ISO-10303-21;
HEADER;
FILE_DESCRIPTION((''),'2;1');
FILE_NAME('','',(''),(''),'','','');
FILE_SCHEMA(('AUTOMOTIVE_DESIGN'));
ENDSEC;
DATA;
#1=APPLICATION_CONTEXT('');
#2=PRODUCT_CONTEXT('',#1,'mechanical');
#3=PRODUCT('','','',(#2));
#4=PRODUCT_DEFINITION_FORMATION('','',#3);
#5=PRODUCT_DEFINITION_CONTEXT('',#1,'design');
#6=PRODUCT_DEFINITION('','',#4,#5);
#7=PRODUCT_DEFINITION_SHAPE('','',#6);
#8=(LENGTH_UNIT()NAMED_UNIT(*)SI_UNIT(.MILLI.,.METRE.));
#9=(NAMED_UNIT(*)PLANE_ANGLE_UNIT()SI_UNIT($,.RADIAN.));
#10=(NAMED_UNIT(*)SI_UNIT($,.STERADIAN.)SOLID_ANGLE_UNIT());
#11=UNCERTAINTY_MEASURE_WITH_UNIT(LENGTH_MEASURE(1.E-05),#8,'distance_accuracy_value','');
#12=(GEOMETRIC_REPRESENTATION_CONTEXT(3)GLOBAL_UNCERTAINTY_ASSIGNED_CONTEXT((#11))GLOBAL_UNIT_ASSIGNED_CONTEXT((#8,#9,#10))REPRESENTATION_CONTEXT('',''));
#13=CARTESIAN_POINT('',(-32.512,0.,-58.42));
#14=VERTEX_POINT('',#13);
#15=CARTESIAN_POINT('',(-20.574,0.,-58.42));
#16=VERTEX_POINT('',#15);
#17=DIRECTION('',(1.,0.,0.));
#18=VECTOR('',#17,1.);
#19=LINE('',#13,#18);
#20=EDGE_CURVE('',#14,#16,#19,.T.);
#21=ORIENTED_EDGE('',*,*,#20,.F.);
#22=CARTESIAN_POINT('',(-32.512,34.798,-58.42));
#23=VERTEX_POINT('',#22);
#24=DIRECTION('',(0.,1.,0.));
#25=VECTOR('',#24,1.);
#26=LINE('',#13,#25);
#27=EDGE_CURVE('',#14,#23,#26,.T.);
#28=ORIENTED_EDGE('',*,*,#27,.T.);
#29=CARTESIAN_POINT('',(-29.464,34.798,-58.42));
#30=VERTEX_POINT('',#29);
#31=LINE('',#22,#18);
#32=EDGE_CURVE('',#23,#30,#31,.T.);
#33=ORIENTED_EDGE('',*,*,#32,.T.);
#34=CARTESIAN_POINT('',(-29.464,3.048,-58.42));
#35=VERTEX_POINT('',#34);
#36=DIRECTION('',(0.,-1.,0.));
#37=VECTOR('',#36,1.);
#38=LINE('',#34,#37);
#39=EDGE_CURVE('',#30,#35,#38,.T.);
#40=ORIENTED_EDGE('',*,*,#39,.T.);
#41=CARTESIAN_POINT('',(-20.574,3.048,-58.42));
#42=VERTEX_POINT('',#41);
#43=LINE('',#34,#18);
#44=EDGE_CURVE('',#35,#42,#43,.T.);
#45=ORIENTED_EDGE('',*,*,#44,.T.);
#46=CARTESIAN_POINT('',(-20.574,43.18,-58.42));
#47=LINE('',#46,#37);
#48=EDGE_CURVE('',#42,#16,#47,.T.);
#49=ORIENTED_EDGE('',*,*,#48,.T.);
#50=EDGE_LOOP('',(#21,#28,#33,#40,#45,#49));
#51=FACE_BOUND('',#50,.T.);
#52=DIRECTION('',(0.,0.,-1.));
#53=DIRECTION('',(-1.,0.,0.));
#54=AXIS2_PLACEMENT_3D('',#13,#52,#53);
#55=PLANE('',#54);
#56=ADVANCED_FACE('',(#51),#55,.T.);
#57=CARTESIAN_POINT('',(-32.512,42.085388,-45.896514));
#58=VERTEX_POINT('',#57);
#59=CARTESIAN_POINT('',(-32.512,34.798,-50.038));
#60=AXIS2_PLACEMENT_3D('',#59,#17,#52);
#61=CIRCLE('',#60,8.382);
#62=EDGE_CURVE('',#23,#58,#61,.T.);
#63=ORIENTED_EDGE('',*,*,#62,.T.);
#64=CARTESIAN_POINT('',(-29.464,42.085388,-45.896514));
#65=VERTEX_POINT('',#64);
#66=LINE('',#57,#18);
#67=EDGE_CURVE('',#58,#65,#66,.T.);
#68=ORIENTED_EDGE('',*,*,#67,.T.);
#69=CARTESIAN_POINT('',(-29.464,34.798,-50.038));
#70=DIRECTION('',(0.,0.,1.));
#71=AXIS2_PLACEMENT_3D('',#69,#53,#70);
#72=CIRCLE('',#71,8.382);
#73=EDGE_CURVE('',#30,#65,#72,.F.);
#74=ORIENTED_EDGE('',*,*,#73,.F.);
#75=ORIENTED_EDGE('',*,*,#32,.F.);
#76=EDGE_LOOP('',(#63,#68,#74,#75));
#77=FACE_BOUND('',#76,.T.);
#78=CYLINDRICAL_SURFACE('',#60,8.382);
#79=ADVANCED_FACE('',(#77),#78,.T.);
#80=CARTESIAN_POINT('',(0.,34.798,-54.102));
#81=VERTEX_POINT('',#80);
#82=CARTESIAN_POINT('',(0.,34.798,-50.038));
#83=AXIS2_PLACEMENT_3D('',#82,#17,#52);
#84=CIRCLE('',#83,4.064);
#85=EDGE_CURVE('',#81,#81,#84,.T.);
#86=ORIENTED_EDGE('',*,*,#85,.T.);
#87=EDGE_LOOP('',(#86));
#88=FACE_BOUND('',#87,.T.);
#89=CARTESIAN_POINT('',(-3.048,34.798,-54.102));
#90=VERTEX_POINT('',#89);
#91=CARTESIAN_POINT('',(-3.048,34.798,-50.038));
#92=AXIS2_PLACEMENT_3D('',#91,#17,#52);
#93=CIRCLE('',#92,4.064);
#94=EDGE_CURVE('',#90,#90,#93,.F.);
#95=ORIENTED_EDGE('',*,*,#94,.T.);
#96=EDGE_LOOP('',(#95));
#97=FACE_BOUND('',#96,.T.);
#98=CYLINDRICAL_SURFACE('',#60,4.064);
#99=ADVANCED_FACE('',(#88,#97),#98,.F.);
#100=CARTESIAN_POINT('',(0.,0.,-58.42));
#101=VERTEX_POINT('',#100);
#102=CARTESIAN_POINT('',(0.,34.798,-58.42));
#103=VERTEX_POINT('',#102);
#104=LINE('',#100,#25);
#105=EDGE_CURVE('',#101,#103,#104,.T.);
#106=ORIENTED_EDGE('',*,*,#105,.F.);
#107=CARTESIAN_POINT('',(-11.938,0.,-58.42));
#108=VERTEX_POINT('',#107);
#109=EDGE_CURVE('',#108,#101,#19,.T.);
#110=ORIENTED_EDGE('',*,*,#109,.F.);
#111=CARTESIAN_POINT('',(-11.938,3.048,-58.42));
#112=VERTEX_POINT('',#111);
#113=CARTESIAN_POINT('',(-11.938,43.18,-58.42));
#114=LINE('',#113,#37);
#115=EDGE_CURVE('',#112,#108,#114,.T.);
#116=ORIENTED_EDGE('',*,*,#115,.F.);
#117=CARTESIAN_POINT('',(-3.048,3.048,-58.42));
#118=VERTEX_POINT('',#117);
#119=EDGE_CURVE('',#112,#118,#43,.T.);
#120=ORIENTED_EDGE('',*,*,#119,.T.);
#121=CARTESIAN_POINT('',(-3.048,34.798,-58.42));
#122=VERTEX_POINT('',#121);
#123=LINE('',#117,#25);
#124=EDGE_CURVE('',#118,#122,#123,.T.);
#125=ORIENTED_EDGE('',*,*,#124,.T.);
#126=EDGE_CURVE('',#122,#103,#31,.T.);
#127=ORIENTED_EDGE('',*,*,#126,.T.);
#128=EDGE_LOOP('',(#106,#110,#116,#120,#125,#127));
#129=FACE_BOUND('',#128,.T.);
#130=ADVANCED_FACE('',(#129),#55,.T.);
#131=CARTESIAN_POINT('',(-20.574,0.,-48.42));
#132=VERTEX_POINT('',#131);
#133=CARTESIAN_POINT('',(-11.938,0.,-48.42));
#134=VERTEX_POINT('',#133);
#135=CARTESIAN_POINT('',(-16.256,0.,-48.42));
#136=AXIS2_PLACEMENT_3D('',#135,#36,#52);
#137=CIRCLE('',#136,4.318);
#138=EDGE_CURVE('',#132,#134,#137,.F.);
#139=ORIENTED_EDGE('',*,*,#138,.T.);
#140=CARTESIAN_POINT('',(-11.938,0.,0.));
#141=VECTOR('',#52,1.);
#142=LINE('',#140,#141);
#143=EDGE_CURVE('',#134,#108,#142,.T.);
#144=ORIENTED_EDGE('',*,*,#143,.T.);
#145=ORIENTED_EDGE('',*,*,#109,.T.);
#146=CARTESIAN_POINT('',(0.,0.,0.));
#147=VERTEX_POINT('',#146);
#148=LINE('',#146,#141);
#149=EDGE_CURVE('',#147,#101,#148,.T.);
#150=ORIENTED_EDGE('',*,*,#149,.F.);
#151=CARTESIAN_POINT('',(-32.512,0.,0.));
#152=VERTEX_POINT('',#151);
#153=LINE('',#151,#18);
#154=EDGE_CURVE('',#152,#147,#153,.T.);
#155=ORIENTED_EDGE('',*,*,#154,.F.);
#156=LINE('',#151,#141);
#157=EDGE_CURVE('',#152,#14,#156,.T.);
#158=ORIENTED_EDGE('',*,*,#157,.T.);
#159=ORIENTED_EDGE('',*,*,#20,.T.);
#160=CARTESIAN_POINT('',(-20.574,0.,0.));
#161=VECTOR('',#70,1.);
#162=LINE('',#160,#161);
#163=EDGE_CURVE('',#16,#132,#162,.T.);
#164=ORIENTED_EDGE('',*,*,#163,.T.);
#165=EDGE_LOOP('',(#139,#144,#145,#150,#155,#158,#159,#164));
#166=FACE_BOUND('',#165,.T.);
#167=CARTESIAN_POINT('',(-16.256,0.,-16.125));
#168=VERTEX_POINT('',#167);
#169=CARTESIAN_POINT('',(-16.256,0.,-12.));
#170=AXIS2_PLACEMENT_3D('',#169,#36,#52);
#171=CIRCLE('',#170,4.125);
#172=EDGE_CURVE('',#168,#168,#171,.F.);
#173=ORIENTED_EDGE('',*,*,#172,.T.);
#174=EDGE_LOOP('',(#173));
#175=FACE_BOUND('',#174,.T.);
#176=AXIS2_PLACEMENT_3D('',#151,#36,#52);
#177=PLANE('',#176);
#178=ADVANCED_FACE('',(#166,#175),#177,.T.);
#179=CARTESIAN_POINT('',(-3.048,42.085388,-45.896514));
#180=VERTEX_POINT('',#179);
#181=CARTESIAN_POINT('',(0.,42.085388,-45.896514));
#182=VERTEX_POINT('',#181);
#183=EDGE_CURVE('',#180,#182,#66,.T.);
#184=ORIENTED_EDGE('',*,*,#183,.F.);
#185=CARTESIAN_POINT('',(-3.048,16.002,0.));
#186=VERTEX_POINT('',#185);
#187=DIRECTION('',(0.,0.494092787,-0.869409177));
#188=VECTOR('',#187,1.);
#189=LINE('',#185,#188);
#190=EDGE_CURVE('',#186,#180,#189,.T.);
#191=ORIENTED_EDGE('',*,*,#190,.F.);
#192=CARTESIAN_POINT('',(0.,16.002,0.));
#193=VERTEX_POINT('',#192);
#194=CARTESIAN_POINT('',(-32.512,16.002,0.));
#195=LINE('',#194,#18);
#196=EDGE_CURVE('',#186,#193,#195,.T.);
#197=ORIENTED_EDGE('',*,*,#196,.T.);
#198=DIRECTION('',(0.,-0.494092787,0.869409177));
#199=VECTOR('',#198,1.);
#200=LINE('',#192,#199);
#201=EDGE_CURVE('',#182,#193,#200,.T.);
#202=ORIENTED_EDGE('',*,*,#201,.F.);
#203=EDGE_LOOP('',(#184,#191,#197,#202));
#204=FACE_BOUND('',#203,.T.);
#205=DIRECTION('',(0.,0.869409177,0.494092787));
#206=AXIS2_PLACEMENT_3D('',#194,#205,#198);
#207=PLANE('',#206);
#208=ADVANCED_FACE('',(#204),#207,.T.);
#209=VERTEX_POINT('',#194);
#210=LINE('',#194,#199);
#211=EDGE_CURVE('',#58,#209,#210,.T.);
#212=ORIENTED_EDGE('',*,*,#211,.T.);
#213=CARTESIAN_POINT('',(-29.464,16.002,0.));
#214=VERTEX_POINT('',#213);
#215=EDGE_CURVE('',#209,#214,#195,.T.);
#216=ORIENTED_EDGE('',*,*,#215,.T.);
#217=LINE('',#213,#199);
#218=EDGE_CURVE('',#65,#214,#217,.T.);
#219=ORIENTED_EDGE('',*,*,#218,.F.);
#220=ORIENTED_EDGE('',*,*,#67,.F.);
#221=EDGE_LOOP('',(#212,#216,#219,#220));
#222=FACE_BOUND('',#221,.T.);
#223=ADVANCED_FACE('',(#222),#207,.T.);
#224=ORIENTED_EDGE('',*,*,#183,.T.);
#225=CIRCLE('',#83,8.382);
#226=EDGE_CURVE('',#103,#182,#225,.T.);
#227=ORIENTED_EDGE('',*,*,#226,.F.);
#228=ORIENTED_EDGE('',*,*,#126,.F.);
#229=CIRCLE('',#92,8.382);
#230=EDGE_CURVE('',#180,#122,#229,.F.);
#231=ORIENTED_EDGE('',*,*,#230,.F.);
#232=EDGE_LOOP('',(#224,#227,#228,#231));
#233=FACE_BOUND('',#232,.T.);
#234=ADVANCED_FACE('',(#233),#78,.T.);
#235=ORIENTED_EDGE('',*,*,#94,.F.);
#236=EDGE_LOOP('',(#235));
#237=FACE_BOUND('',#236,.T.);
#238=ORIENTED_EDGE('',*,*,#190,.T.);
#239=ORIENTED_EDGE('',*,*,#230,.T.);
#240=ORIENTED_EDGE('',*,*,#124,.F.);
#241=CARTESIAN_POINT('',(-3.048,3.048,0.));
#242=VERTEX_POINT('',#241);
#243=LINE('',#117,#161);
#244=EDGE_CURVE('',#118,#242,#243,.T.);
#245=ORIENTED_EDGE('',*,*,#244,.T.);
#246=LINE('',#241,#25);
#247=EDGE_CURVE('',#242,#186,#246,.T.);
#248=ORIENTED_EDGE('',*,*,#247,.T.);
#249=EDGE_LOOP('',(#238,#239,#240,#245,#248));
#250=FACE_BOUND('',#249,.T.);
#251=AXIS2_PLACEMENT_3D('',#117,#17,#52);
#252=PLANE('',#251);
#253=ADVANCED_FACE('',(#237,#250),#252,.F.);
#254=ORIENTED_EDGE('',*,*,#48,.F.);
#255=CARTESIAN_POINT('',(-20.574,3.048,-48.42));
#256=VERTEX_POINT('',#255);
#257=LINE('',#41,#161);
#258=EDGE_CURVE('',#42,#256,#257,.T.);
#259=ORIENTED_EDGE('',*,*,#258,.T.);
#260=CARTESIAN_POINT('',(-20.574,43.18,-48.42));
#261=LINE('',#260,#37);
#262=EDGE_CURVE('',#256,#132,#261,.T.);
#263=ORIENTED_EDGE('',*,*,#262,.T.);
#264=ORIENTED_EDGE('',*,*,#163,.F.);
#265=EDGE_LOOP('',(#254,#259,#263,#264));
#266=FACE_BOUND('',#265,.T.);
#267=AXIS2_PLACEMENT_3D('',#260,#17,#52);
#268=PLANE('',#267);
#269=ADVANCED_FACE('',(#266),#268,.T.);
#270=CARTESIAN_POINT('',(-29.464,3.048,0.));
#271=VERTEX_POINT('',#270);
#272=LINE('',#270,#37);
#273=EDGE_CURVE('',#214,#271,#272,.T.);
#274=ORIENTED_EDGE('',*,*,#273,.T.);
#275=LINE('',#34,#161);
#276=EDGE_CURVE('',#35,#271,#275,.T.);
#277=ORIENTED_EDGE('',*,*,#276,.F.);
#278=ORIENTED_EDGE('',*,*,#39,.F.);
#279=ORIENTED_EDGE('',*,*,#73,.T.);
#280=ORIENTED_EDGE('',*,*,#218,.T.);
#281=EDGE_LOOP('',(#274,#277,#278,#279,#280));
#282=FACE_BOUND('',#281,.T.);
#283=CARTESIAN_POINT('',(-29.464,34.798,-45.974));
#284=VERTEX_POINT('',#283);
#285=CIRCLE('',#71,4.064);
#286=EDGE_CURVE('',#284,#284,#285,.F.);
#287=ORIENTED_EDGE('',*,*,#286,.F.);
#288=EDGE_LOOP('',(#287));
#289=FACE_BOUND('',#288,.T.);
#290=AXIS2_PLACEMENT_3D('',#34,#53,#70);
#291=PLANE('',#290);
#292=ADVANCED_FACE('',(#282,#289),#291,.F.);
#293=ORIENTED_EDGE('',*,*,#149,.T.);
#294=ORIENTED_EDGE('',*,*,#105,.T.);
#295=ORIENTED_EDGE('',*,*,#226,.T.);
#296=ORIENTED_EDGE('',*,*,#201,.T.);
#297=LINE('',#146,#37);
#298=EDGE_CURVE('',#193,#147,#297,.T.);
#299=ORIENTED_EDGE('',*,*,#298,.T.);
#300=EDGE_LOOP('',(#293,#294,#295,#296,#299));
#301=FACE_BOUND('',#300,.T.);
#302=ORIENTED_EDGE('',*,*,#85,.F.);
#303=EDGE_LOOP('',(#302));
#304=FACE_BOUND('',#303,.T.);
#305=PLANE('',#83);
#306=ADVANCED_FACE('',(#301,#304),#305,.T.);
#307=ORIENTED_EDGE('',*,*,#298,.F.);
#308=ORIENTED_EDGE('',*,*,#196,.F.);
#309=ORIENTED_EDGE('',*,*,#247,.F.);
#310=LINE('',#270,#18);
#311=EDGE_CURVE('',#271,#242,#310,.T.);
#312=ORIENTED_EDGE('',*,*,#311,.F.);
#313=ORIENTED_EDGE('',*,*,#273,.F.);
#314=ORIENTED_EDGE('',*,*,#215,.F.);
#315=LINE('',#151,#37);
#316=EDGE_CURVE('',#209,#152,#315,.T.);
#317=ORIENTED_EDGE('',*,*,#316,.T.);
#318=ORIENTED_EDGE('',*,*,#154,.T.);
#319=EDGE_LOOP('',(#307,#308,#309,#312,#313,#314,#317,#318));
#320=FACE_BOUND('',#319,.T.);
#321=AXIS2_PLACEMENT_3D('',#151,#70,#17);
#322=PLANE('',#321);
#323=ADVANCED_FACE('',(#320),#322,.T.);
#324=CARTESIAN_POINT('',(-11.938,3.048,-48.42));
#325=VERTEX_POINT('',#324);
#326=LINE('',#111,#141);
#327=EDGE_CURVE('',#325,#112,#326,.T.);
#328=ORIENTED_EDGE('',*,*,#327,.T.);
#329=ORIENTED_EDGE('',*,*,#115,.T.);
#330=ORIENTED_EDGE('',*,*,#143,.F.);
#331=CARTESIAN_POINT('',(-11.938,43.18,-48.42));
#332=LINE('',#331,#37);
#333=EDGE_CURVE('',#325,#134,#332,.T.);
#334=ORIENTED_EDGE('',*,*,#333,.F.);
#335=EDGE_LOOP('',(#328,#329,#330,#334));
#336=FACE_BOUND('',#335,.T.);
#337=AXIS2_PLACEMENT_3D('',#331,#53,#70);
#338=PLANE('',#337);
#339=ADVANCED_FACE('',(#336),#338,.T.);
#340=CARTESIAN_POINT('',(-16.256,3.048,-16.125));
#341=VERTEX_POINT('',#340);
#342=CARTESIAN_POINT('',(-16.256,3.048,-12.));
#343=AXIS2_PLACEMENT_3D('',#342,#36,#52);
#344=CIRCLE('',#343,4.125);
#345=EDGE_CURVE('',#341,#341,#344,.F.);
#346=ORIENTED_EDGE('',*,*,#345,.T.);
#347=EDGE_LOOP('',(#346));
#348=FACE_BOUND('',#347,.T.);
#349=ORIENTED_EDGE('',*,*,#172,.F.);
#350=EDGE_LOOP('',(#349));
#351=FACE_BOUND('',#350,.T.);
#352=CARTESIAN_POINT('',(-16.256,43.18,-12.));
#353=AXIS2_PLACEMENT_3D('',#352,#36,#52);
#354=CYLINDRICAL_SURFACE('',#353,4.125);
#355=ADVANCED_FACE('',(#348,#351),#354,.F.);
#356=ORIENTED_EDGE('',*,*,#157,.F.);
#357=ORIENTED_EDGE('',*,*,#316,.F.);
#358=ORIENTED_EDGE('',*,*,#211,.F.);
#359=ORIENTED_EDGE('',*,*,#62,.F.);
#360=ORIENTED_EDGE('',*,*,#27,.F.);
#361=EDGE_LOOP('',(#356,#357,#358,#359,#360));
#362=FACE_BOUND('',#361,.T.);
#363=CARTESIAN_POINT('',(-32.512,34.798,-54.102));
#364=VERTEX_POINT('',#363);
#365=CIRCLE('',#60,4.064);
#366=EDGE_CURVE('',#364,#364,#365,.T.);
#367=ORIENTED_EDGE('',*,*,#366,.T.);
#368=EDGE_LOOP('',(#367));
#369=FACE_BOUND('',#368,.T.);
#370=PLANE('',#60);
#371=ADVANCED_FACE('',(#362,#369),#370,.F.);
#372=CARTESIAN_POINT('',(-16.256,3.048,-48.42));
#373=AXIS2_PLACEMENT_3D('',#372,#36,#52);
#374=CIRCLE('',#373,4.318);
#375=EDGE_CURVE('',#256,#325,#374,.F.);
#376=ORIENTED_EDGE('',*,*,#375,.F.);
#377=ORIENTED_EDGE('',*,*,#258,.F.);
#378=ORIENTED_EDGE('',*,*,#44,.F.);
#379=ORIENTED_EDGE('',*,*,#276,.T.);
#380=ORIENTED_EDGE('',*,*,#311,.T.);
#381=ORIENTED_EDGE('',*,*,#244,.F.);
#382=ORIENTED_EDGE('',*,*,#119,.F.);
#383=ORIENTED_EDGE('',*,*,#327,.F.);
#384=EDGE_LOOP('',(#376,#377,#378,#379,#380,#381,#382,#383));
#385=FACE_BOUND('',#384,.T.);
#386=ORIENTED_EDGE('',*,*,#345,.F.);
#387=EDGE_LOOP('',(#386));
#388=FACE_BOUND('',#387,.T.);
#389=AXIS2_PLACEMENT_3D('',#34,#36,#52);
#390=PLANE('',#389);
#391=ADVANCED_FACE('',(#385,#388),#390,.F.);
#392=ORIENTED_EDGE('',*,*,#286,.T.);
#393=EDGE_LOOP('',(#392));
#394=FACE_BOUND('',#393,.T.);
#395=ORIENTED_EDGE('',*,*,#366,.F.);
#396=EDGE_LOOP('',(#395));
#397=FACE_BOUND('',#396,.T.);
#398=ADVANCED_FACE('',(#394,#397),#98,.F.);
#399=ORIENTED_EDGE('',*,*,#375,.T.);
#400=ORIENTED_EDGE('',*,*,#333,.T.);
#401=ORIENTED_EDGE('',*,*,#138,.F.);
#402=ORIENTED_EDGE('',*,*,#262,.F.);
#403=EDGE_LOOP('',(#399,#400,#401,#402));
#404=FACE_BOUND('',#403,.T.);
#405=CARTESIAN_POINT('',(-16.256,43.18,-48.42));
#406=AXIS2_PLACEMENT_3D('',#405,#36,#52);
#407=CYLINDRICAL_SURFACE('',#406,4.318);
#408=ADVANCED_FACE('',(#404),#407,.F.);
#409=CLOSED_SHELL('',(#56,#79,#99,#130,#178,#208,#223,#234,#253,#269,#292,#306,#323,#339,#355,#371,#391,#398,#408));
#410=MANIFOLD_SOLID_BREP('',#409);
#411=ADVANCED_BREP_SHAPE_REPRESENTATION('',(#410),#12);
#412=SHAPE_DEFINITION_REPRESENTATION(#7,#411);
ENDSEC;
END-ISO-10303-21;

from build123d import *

# Parameters (mm, degrees)
SKETCH1_R               = 4.064
BOSS_EXTRUDE1_DEPTH     = 32.512
SKETCH2_W               = 26.416
SKETCH2_H               = 40.132
CUT_EXTRUDE1_DEPTH      = 59.42
SKETCH3_R               = 4.125
CUT_EXTRUDE3_DEPTH      = 44.18
CUT_EXTRUDE3_DEPTH_BACK = 35.052


with BuildPart() as part:
    # Sketch1 → Boss-Extrude1 (new body)
    with BuildSketch(Plane(origin=(0, 0, 0), x_dir=(0, 0, -1), z_dir=(1, 0, 0))):
        with BuildLine():
            Line((0, 16.002), (45.896514256, 42.085387724))
            ThreePointArc((45.896514256, 42.085387724), (54.253684434, 42.0427173), (58.42, 34.798))
            Line((58.42, 34.798), (58.42, 0))
            Line((58.42, 0), (0, 0))
            Line((0, 0), (0, 16.002))
        make_face()
        with Locations((50.038, 34.798)):
            Circle(SKETCH1_R, mode=Mode.SUBTRACT)
    extrude(amount=-BOSS_EXTRUDE1_DEPTH)

    # Sketch2 → Cut-Extrude1 (cut, through all)
    with BuildSketch(Plane.XY):
        with Locations((-16.256, 23.114)):
            Rectangle(SKETCH2_W, SKETCH2_H)
    extrude(amount=-CUT_EXTRUDE1_DEPTH, mode=Mode.SUBTRACT)

    # Sketch3 → Cut-Extrude3 (cut, two sides)
    with BuildSketch(Plane(origin=(0, 0, 0), x_dir=(1, 0, 0), z_dir=(0, 1, 0))) as cut_extrude3_sk:
        with Locations(Location((-16.256, 12, 0), (0, 0, 90))):  # turned: the seam where the file's is
            Circle(SKETCH3_R)
        with BuildLine():
            Line((-20.574, 48.42), (-20.574, 58.42))
            Line((-20.574, 58.42), (-11.938, 58.42))
            Line((-11.938, 58.42), (-11.938, 48.42))
            ThreePointArc((-11.938, 48.42), (-16.256, 44.102), (-20.574, 48.42))
        make_face()
    extrude(amount=CUT_EXTRUDE3_DEPTH, mode=Mode.SUBTRACT)
    extrude(cut_extrude3_sk.sketch, amount=-CUT_EXTRUDE3_DEPTH_BACK, mode=Mode.SUBTRACT)


solid = part.part
